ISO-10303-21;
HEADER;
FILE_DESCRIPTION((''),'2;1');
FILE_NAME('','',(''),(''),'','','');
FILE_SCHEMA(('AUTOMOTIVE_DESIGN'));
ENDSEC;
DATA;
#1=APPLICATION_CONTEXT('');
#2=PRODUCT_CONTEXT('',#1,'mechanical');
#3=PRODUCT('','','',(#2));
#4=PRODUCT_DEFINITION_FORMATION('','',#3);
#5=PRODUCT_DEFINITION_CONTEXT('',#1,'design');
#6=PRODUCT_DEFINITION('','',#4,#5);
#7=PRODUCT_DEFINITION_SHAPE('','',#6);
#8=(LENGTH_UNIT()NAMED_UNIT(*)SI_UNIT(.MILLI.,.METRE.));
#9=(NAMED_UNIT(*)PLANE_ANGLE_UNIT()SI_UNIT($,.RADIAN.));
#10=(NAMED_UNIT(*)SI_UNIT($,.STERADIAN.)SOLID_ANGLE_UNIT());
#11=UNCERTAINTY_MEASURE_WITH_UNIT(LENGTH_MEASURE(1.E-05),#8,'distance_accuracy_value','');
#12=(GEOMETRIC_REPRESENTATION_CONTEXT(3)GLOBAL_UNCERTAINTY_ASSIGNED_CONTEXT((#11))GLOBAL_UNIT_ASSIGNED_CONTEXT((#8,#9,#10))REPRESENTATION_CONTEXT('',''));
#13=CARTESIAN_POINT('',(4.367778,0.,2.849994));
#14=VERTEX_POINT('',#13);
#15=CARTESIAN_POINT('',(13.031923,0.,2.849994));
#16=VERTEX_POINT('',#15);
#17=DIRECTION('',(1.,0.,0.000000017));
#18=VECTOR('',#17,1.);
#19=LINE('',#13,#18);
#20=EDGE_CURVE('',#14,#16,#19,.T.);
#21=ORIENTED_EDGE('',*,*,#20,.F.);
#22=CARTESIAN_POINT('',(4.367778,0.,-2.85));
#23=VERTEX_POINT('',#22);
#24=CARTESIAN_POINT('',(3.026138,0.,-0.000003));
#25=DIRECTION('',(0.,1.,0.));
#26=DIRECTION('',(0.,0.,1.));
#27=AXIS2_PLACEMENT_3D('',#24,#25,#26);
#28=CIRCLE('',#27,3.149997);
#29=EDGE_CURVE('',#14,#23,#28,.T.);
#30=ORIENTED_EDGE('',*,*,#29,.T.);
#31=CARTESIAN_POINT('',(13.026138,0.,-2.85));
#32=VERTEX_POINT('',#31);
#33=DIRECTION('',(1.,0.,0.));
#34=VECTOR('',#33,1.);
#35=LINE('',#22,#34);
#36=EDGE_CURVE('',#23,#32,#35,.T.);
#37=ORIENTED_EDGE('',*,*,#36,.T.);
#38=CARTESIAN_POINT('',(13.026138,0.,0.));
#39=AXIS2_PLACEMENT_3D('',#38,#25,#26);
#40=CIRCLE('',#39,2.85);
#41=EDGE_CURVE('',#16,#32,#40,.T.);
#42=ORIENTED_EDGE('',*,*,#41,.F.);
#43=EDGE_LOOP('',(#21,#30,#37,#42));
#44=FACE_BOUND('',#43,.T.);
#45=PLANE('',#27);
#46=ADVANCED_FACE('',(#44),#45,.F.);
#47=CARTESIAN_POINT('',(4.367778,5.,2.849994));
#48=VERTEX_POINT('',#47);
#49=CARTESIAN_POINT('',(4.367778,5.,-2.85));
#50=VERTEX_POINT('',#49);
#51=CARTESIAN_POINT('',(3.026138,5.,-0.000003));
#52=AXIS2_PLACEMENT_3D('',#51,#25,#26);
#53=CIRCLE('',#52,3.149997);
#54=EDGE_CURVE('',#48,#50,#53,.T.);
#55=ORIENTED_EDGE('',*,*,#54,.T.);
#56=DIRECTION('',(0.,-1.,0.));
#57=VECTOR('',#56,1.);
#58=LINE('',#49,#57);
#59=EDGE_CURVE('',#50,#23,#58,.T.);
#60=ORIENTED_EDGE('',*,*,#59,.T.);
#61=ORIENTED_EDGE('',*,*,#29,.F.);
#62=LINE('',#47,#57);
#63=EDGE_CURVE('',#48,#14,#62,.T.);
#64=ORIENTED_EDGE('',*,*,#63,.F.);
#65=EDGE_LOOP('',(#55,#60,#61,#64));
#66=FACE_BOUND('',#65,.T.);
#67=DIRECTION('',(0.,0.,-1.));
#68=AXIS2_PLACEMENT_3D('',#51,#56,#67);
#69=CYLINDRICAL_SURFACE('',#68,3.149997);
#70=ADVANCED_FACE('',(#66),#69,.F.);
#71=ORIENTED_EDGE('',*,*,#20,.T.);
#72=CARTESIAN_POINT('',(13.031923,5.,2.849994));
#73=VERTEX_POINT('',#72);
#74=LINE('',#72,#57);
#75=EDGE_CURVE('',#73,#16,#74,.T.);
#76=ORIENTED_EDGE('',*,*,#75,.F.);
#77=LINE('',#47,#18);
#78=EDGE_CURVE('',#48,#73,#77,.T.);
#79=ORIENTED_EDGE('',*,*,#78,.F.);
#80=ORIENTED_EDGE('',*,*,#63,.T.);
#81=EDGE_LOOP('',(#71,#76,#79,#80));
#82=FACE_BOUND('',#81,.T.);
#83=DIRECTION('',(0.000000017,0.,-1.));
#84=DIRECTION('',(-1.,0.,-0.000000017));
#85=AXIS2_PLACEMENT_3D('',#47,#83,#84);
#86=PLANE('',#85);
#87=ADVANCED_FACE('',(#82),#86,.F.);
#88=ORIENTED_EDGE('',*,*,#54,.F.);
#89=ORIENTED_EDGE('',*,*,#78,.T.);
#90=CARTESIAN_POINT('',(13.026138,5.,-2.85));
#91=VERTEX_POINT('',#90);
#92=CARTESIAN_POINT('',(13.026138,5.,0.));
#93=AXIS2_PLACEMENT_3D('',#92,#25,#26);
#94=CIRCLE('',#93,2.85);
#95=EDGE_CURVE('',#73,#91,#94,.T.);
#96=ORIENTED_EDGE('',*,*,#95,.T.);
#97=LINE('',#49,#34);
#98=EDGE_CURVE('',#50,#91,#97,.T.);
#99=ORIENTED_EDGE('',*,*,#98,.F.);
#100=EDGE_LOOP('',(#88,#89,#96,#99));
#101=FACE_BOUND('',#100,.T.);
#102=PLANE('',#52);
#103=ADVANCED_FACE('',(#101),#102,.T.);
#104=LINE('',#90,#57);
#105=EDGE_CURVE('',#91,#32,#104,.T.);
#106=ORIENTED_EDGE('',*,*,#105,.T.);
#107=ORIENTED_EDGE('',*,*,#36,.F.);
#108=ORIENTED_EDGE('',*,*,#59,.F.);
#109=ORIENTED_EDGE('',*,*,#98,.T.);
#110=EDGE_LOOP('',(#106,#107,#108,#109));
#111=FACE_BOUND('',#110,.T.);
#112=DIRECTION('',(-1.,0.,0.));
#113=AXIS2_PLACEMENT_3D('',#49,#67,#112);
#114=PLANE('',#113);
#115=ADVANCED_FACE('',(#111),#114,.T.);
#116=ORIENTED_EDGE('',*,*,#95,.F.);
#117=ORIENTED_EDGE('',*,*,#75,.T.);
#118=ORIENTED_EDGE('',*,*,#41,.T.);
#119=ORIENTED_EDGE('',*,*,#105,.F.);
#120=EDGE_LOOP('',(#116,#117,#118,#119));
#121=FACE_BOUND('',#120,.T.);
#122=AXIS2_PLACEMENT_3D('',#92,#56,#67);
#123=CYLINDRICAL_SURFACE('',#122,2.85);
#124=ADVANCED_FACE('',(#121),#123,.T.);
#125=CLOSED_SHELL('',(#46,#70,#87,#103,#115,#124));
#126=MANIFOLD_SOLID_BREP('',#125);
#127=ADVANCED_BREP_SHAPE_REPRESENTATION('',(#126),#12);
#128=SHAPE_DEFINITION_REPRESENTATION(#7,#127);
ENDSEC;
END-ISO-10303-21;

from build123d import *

# Parameters (mm, degrees)
BOSS_EXTRUDE1_DEPTH = 5


with BuildPart() as part:
    # Sketch1 → Boss-Extrude1 (new body)
    with BuildSketch(Plane(origin=(0, 0, 0), x_dir=(1, 0, 0), z_dir=(0, 1, 0))):
        with BuildLine():
            Line((4.367778344, 2.85), (13.02613822, 2.85))
            ThreePointArc((13.02613822, 2.85), (15.876136903, 0.002892262), (13.031922741, -2.84999428))
            Line((13.031922741, -2.84999428), (4.367778344, -2.849994134))
            ThreePointArc((4.367778344, -2.849994134), (6.17613528, 2.933e-06), (4.367778344, 2.85))
        make_face()
    extrude(amount=BOSS_EXTRUDE1_DEPTH)


solid = part.part
